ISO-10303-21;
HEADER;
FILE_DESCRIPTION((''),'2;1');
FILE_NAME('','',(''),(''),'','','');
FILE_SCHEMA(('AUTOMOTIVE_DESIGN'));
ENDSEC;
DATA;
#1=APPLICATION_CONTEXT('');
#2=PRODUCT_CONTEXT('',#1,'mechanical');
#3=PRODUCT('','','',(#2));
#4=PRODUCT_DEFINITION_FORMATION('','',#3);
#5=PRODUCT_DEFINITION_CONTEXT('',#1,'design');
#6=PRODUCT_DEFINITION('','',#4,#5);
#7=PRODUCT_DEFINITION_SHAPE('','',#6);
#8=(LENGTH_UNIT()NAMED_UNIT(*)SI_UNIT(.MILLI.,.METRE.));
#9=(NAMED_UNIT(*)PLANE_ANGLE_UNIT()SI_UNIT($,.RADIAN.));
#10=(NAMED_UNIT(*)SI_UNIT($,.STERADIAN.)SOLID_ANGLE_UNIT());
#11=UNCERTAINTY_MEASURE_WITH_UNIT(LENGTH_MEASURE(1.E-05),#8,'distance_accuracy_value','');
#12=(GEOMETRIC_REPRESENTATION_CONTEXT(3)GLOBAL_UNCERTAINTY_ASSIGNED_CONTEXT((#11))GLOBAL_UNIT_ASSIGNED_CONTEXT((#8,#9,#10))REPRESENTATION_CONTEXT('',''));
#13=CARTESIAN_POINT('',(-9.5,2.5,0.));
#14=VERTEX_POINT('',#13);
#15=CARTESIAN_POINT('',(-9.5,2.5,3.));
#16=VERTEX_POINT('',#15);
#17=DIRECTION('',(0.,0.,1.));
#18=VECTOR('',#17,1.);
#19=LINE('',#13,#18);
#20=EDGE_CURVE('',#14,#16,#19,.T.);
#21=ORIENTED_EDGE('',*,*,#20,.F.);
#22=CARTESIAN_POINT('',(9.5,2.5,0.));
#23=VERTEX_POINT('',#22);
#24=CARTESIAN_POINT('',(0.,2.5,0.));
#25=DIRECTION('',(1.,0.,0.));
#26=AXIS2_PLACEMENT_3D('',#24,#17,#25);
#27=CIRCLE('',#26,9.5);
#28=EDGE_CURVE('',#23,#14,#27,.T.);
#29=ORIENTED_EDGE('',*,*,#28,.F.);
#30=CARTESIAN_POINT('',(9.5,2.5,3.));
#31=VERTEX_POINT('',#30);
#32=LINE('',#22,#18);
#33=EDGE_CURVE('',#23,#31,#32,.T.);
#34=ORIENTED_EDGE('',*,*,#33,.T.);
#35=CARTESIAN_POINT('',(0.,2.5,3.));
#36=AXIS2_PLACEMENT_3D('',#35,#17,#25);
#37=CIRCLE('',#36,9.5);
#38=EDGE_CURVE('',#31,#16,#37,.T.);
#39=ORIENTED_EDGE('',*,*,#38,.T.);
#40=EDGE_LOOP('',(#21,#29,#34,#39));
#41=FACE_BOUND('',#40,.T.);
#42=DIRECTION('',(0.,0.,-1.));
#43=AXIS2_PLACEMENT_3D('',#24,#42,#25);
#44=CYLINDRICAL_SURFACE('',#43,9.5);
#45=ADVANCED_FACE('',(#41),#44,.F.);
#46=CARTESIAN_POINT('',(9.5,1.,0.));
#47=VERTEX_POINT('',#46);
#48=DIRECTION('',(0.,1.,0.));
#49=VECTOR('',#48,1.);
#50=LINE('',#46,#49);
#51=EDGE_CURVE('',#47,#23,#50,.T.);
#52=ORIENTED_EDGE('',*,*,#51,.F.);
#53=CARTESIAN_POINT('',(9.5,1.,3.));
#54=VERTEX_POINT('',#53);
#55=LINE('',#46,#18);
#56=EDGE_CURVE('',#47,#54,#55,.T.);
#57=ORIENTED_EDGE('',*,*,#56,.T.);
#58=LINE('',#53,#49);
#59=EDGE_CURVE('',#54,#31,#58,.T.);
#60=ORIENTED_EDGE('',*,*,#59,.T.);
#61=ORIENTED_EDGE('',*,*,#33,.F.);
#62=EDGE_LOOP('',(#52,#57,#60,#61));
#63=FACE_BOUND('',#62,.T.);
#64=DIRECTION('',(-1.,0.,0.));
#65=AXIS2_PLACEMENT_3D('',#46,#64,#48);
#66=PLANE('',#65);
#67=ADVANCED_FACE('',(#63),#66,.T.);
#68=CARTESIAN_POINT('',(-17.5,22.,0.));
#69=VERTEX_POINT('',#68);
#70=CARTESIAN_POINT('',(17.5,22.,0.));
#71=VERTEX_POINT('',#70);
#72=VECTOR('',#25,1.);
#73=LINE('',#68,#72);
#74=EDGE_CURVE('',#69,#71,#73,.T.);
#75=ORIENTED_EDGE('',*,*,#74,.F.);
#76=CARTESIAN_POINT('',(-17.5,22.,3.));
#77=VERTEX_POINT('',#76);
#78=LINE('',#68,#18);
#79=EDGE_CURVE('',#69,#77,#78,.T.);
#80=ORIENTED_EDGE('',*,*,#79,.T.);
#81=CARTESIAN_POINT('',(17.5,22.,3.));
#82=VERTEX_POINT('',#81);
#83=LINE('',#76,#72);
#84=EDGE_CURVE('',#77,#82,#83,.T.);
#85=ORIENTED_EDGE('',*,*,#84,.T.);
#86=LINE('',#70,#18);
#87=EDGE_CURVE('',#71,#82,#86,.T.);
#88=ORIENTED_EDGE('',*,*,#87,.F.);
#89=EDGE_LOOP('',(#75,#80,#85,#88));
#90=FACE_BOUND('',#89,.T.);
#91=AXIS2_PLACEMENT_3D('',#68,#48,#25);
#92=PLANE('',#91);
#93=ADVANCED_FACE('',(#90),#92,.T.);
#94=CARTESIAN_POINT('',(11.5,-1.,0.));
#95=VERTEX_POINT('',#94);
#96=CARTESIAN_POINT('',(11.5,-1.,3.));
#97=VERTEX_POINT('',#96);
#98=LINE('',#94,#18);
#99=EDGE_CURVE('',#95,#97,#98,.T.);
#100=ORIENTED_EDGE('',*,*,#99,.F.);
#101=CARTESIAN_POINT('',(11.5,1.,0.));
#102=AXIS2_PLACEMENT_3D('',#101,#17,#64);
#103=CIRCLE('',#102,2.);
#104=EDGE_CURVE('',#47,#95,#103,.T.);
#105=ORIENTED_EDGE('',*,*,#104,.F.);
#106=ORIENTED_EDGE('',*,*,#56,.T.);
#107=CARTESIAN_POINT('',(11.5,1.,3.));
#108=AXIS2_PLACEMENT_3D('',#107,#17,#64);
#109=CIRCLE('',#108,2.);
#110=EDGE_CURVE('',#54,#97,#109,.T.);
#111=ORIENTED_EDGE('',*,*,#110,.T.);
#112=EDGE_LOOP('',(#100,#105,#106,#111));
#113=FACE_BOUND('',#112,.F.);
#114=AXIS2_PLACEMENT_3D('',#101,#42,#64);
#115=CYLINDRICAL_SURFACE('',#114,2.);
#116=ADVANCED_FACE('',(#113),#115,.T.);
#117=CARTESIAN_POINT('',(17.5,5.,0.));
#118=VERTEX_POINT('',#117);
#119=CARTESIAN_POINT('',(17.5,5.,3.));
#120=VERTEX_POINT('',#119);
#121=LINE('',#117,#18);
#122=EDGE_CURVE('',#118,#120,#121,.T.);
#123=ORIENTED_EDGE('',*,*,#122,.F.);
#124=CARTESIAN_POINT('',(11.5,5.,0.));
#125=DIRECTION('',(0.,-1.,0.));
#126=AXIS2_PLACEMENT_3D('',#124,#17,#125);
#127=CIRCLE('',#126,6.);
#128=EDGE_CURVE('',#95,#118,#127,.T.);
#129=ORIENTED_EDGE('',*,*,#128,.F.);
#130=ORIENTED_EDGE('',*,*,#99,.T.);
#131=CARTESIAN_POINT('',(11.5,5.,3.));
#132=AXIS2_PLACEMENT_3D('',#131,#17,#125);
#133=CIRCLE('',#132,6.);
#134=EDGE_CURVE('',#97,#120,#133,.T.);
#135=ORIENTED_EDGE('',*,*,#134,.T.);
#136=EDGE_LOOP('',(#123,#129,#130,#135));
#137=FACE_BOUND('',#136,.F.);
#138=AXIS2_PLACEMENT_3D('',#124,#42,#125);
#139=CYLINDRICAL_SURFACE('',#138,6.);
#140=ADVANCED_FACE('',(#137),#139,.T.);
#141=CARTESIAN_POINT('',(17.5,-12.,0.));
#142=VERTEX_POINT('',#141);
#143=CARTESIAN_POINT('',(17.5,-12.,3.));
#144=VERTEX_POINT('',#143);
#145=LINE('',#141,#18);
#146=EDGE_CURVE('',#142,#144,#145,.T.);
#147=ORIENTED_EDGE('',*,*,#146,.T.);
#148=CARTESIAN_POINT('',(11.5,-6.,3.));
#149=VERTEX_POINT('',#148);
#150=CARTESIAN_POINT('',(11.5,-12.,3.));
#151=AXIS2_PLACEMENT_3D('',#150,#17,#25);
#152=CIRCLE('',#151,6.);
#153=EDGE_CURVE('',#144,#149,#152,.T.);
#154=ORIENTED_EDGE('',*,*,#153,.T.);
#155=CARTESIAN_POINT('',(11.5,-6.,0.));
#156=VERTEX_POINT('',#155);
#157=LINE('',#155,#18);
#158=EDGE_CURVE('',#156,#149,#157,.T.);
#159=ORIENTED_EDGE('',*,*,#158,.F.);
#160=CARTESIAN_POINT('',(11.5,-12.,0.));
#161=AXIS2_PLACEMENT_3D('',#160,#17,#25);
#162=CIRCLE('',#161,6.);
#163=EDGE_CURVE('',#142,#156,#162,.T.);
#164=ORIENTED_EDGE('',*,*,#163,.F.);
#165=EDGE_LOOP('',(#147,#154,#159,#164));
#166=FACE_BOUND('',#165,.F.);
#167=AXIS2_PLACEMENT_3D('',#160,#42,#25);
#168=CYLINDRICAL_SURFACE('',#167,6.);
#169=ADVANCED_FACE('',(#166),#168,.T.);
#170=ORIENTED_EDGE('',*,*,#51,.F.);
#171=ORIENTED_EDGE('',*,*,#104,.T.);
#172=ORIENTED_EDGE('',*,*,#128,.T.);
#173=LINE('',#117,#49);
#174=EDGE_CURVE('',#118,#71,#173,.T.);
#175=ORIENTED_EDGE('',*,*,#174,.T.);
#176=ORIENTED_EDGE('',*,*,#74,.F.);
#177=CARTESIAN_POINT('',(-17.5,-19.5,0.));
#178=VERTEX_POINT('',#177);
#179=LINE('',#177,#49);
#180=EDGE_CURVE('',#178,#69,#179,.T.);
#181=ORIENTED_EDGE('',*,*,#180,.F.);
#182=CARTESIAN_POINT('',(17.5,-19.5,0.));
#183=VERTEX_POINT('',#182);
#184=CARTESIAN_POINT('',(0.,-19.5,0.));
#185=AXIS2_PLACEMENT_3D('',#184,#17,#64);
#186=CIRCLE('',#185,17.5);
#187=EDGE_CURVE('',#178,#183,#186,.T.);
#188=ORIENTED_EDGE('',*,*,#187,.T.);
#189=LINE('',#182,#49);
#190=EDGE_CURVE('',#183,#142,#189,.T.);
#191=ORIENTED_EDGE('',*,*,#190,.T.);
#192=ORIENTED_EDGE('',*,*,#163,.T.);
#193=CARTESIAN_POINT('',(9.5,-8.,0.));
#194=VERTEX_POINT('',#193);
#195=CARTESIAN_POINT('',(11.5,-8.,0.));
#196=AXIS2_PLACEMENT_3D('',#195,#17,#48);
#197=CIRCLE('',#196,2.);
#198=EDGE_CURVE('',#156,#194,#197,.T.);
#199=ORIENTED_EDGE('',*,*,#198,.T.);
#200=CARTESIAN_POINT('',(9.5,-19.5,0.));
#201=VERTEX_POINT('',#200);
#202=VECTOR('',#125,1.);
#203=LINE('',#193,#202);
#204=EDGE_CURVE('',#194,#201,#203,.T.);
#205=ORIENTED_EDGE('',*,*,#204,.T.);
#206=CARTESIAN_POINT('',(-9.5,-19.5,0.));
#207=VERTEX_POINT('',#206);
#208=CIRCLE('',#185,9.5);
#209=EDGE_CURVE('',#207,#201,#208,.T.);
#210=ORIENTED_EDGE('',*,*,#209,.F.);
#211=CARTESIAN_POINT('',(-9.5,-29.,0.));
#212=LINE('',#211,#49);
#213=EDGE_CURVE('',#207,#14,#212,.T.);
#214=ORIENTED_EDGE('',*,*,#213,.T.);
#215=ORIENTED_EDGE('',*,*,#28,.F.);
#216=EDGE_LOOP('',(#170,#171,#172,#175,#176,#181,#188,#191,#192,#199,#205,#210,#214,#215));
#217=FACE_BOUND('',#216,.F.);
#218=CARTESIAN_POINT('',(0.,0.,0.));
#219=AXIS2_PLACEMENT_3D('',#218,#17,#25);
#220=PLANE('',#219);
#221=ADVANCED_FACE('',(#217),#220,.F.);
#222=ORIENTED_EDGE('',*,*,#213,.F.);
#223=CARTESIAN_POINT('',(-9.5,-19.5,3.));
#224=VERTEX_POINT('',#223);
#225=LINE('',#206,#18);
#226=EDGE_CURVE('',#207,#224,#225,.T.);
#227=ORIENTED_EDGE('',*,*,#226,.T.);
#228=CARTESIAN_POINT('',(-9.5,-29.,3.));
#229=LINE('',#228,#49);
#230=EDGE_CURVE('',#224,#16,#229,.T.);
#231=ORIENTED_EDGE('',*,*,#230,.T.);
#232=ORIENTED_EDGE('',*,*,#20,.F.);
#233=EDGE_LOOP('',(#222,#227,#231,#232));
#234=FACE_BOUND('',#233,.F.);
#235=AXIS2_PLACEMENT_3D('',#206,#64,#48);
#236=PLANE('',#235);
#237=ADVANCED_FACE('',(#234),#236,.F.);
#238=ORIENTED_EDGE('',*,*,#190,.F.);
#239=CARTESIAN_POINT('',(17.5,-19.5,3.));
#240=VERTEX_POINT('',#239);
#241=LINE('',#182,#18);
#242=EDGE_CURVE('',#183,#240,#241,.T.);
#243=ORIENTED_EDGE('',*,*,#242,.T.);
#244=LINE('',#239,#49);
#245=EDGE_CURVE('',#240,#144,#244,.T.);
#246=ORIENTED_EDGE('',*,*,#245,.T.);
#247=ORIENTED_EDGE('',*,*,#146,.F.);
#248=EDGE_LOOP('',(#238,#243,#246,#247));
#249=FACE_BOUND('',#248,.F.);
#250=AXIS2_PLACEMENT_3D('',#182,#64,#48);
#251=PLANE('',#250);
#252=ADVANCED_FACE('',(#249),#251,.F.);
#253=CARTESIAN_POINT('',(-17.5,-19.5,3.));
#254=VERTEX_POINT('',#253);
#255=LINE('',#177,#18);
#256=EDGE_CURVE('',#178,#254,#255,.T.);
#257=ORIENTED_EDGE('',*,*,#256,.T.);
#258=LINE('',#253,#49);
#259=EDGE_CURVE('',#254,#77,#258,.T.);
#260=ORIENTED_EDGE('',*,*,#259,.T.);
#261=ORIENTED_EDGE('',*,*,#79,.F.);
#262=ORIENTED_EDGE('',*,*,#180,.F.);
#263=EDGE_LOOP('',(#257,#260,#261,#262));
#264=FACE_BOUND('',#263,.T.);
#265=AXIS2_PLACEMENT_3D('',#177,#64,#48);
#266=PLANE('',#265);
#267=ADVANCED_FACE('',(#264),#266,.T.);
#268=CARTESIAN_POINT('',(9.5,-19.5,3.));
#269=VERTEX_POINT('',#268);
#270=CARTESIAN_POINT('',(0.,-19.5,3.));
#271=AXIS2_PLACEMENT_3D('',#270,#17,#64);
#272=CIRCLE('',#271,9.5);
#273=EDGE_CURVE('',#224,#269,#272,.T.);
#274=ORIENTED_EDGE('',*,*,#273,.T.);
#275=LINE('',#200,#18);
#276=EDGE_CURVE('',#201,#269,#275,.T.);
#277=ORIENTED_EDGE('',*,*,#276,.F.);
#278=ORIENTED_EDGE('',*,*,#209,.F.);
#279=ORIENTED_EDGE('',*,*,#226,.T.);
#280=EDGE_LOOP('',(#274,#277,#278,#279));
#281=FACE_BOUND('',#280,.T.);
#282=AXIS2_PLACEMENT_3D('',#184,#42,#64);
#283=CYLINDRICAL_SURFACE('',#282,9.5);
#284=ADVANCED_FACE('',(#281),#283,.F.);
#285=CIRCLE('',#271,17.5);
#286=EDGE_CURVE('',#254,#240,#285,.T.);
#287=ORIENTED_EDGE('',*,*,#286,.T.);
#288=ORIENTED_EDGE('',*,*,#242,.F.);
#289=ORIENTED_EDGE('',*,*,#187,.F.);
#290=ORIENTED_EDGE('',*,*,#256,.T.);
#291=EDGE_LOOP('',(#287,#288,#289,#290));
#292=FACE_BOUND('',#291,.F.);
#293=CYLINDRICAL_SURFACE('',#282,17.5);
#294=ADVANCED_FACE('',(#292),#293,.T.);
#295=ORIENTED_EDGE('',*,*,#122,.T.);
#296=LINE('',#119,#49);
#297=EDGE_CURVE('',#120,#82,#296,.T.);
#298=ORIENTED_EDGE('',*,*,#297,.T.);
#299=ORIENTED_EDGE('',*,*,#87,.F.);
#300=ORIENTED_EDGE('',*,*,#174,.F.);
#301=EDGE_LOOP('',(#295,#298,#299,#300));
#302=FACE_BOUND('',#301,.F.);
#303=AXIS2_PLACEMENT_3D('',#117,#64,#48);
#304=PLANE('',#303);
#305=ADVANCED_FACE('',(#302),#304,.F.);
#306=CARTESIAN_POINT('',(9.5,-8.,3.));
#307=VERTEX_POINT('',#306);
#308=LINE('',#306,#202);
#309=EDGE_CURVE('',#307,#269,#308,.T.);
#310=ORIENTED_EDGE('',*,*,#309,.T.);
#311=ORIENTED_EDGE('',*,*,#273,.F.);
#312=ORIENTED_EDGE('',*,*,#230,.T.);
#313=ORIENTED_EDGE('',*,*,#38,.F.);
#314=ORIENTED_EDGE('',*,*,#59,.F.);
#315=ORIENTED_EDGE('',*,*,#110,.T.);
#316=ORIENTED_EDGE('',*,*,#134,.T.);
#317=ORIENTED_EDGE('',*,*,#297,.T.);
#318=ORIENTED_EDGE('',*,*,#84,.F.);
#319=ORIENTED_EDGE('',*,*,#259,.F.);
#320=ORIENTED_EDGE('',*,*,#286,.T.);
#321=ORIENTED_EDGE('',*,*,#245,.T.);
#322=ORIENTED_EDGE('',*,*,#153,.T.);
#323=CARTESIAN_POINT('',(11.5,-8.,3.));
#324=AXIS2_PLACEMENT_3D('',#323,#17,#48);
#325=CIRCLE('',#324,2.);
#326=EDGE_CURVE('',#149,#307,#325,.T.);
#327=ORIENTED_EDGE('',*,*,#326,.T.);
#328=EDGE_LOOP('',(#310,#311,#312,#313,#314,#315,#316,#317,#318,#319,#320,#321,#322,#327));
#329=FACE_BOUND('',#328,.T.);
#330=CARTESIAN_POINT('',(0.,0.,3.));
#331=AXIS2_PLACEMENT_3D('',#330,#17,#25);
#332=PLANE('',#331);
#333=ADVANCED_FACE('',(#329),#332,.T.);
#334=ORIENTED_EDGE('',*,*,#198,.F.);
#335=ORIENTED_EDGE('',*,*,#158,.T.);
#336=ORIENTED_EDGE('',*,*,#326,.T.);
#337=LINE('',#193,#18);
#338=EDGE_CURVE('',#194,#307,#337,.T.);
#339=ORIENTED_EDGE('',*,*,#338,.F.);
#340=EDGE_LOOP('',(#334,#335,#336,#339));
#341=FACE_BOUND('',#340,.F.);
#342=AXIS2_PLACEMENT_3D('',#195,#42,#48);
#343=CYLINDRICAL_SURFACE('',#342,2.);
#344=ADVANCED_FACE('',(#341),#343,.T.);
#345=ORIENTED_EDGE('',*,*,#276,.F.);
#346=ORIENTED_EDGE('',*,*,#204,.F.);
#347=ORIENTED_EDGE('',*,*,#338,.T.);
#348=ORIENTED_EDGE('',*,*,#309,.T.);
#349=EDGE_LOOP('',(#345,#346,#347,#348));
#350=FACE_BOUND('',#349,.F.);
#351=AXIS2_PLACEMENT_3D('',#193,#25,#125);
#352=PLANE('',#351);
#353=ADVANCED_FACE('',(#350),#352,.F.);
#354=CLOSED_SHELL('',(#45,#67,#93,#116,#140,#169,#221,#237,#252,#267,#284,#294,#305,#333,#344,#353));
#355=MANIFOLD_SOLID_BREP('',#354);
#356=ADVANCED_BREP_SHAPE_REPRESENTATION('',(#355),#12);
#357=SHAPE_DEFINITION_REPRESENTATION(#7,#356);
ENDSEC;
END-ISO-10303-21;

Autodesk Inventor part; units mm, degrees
ref_plane "YZ Plane" through (0, 0, 0) normal (1, 0, 0) x (0, 1, 0)
ref_plane "XZ Plane" through (0, 0, 0) normal (0, 1, 0) x (-1, 0, 0)
ref_plane "XY Plane" through (0, 0, 0) normal (0, 0, 1) x (1, 0, 0)
sketch "Sketch1" plane through (0, 0, 0) normal (0, 0, 1) x (1, 0, 0)
  line L0 (-1.5, 4) -> (1.5, 4) construction
  line L1 (1.5, 4) -> (1.5, -4) construction
  line L2 (1.5, -4) -> (-1.5, -4) construction
  line L3 (-1.5, -4) -> (-1.5, 4) construction
  line L4 (9.5, 2.5) -> (9.5, -29) construction
  line L5 (9.5, -29) -> (-9.5, -29) construction
  line L6 (-9.5, -29) -> (-9.5, 2.5)
  arc A0 (-9.5, -19.5) -> (9.5, -19.5) centre (0, -19.5) ccw
  arc A1 (-17.5, -19.5) -> (17.5, -19.5) centre (0, -19.5) ccw
  line L7 (11.5, -1) -> (20.6171, -1) construction
  line L8 (17.5, 5) -> (17.5, 22)
  line L9 (-17.5, -19.5) -> (-17.5, 22)
  line L10 (9.5, 1) -> (9.5, 2.5)
  line L11 (0, -37) -> (17.5, -37) construction
  arc A2 (11.5, -1) -> (17.5, 5) centre (11.5, 5) ccw
  arc A3 (9.5, 1) -> (11.5, -1) centre (11.5, 1) ccw
  line L12 (11.4283, -3.5) -> (20.9038, -3.5) construction
  arc A4 (17.5, -12) -> (11.5, -6) centre (11.5, -12) ccw
  arc A5 (11.5, -6) -> (9.5, -8) centre (11.5, -8) ccw
  line L13 (9.5, -8) -> (9.5, -19.5)
  line L14 (17.5, -19.5) -> (17.5, -12)
  line L15 (-17.5, 22) -> (17.5, 22)
  line L16 (-22.1996, 12) -> (26.487, 12) construction
  arc A6 (9.5, 2.5) -> (-9.5, 2.5) centre (0, 2.5) ccw
  point P0 (0, 0)
  point P1 (0, -4)
  point P2 (-1.5, 0)
  point P3 (0, -29)
  point P4 (0, 12)
  dimension "d0" = 8
  dimension "d1" = 3
  dimension "extra" = 25
  dimension "d4" = 8
  dimension "d6" = 8
  dimension "d10" = 4
  dimension "d11" = 2.5
  dimension "d12" = 3.5
  dimension "d18" = 8
  dimension "d21" = 10
  dimension "d22" = 35
extrude "Extrusion1" add sketch "Sketch1" along normal blind 3
properties part number "uhook"
